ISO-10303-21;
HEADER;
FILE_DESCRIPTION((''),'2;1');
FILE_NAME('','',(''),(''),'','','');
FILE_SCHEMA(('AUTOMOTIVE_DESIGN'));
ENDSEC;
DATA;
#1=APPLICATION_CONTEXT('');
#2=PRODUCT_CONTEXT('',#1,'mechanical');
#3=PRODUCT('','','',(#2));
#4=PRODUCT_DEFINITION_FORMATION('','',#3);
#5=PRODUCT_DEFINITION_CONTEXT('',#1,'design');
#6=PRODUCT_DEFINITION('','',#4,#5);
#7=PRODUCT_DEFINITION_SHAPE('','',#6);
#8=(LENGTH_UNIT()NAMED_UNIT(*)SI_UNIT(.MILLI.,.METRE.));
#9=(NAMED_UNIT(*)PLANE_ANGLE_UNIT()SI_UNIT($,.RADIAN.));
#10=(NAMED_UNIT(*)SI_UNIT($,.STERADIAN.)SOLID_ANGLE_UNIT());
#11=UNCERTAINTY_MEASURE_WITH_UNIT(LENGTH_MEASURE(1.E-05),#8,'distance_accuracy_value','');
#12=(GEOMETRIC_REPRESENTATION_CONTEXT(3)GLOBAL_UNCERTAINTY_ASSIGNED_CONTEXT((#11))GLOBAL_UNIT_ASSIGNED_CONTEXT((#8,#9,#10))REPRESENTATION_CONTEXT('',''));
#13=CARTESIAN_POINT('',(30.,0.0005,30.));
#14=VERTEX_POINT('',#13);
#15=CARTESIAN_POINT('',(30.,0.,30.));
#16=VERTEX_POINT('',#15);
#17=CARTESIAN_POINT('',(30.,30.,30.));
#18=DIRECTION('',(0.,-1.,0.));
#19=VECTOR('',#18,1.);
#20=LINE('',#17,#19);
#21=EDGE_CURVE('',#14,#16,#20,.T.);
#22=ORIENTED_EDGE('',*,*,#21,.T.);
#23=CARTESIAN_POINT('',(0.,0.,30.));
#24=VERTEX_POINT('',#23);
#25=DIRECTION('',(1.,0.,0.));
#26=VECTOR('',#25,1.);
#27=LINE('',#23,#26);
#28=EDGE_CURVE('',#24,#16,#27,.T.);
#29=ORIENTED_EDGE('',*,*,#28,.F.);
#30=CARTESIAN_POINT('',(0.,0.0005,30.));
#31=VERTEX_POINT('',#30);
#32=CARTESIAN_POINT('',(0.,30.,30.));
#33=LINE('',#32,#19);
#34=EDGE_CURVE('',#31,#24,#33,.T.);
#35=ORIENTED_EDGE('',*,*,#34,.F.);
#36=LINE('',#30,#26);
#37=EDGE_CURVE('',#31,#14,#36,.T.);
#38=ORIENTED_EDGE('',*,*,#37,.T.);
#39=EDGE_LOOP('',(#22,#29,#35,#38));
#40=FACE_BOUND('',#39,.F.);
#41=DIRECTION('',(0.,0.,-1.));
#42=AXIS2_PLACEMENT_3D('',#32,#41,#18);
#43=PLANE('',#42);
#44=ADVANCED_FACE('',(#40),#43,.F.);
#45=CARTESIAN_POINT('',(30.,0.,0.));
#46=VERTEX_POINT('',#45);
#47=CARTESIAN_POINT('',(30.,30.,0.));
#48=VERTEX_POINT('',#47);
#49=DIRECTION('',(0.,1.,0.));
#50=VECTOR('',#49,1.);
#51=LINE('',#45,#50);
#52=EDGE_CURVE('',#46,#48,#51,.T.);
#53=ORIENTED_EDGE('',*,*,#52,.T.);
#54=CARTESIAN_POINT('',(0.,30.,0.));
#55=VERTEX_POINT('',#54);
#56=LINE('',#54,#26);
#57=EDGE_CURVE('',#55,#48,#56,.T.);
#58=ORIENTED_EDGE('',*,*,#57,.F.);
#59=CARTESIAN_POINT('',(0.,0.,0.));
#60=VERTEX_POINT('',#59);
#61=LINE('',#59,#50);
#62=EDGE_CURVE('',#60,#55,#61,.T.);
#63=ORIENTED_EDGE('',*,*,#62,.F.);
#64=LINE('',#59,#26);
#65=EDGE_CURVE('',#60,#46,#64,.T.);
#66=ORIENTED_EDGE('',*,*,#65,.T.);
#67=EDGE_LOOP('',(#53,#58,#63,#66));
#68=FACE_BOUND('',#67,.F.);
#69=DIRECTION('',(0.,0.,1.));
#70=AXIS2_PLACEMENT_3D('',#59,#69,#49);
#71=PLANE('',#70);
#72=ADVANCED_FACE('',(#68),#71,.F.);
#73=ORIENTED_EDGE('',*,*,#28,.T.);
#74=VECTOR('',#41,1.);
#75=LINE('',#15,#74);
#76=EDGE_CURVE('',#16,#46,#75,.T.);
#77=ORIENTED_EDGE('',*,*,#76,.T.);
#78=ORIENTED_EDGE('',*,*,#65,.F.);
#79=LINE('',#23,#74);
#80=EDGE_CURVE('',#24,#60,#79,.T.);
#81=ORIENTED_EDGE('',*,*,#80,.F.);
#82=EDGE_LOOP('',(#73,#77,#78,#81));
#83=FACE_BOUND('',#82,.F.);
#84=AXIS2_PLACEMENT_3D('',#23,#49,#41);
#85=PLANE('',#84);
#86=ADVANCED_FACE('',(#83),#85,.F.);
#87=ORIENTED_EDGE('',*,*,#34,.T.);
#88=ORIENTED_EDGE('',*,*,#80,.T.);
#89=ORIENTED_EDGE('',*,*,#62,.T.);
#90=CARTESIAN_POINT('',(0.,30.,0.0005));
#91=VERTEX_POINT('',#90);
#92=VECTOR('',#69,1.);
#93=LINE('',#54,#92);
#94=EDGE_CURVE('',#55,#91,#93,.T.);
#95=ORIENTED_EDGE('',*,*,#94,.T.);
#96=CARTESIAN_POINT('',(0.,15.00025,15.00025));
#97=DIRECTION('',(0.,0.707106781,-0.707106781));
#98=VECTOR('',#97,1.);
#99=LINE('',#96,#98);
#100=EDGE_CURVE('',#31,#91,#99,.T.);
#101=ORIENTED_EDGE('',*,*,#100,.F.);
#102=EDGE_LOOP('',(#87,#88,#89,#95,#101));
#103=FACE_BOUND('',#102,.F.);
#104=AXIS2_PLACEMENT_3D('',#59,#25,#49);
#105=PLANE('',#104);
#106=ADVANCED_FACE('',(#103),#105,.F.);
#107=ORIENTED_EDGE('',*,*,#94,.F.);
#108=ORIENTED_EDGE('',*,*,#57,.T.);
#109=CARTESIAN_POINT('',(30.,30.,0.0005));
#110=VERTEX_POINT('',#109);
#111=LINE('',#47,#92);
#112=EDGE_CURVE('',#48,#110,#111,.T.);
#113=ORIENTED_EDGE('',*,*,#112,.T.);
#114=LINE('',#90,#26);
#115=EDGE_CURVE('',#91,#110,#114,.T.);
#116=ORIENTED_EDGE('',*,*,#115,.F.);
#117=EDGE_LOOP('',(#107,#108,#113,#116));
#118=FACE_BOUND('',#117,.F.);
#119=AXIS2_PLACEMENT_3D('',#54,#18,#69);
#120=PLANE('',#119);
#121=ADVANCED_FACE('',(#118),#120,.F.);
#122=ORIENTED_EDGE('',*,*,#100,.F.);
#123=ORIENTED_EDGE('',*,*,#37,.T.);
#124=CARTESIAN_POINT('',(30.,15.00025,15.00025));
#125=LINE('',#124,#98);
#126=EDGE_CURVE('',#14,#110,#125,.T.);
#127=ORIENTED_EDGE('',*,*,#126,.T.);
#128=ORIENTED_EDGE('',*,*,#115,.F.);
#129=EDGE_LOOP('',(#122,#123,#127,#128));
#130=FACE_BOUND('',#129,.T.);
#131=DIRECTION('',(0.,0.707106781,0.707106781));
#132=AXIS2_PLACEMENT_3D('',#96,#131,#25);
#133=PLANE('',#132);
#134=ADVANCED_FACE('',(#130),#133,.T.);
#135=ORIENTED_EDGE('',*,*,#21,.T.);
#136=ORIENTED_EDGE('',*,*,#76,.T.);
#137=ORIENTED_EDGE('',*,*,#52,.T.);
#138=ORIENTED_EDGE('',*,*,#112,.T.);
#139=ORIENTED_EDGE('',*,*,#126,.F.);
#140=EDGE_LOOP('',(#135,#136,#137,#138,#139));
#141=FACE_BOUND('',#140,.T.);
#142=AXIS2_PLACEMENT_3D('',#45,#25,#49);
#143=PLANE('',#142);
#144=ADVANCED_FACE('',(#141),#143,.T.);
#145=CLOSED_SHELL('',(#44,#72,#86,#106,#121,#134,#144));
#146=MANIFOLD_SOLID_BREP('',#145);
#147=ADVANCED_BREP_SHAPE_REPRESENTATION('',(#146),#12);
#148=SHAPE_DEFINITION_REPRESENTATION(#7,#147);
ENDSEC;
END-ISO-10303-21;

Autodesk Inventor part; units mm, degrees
ref_plane "YZ Plane" through (0, 0, 0) normal (1, 0, 0) x (0, 1, 0)
ref_plane "XZ Plane" through (0, 0, 0) normal (0, 1, 0) x (-1, 0, 0)
ref_plane "XY Plane" through (0, 0, 0) normal (0, 0, 1) x (1, 0, 0)
sketch "Sketch1" plane through (0, 0, 0) normal (1, 0, 0) x (0, 1, 0)
  line L0 (0, 0) -> (30, 0)
  line L1 (30, 0) -> (30, 30)
  line L2 (30, 30) -> (0, 30)
  line L3 (0, 30) -> (0, 0)
  dimension "d0" = 30
  dimension "d1" = 30
extrude "Extrusion1" add sketch "Sketch1" along normal blind 30
chamfer "Chamfer1" distance 30 angle 45 1 edges at (15, 30, 30)
properties part number "edge"
